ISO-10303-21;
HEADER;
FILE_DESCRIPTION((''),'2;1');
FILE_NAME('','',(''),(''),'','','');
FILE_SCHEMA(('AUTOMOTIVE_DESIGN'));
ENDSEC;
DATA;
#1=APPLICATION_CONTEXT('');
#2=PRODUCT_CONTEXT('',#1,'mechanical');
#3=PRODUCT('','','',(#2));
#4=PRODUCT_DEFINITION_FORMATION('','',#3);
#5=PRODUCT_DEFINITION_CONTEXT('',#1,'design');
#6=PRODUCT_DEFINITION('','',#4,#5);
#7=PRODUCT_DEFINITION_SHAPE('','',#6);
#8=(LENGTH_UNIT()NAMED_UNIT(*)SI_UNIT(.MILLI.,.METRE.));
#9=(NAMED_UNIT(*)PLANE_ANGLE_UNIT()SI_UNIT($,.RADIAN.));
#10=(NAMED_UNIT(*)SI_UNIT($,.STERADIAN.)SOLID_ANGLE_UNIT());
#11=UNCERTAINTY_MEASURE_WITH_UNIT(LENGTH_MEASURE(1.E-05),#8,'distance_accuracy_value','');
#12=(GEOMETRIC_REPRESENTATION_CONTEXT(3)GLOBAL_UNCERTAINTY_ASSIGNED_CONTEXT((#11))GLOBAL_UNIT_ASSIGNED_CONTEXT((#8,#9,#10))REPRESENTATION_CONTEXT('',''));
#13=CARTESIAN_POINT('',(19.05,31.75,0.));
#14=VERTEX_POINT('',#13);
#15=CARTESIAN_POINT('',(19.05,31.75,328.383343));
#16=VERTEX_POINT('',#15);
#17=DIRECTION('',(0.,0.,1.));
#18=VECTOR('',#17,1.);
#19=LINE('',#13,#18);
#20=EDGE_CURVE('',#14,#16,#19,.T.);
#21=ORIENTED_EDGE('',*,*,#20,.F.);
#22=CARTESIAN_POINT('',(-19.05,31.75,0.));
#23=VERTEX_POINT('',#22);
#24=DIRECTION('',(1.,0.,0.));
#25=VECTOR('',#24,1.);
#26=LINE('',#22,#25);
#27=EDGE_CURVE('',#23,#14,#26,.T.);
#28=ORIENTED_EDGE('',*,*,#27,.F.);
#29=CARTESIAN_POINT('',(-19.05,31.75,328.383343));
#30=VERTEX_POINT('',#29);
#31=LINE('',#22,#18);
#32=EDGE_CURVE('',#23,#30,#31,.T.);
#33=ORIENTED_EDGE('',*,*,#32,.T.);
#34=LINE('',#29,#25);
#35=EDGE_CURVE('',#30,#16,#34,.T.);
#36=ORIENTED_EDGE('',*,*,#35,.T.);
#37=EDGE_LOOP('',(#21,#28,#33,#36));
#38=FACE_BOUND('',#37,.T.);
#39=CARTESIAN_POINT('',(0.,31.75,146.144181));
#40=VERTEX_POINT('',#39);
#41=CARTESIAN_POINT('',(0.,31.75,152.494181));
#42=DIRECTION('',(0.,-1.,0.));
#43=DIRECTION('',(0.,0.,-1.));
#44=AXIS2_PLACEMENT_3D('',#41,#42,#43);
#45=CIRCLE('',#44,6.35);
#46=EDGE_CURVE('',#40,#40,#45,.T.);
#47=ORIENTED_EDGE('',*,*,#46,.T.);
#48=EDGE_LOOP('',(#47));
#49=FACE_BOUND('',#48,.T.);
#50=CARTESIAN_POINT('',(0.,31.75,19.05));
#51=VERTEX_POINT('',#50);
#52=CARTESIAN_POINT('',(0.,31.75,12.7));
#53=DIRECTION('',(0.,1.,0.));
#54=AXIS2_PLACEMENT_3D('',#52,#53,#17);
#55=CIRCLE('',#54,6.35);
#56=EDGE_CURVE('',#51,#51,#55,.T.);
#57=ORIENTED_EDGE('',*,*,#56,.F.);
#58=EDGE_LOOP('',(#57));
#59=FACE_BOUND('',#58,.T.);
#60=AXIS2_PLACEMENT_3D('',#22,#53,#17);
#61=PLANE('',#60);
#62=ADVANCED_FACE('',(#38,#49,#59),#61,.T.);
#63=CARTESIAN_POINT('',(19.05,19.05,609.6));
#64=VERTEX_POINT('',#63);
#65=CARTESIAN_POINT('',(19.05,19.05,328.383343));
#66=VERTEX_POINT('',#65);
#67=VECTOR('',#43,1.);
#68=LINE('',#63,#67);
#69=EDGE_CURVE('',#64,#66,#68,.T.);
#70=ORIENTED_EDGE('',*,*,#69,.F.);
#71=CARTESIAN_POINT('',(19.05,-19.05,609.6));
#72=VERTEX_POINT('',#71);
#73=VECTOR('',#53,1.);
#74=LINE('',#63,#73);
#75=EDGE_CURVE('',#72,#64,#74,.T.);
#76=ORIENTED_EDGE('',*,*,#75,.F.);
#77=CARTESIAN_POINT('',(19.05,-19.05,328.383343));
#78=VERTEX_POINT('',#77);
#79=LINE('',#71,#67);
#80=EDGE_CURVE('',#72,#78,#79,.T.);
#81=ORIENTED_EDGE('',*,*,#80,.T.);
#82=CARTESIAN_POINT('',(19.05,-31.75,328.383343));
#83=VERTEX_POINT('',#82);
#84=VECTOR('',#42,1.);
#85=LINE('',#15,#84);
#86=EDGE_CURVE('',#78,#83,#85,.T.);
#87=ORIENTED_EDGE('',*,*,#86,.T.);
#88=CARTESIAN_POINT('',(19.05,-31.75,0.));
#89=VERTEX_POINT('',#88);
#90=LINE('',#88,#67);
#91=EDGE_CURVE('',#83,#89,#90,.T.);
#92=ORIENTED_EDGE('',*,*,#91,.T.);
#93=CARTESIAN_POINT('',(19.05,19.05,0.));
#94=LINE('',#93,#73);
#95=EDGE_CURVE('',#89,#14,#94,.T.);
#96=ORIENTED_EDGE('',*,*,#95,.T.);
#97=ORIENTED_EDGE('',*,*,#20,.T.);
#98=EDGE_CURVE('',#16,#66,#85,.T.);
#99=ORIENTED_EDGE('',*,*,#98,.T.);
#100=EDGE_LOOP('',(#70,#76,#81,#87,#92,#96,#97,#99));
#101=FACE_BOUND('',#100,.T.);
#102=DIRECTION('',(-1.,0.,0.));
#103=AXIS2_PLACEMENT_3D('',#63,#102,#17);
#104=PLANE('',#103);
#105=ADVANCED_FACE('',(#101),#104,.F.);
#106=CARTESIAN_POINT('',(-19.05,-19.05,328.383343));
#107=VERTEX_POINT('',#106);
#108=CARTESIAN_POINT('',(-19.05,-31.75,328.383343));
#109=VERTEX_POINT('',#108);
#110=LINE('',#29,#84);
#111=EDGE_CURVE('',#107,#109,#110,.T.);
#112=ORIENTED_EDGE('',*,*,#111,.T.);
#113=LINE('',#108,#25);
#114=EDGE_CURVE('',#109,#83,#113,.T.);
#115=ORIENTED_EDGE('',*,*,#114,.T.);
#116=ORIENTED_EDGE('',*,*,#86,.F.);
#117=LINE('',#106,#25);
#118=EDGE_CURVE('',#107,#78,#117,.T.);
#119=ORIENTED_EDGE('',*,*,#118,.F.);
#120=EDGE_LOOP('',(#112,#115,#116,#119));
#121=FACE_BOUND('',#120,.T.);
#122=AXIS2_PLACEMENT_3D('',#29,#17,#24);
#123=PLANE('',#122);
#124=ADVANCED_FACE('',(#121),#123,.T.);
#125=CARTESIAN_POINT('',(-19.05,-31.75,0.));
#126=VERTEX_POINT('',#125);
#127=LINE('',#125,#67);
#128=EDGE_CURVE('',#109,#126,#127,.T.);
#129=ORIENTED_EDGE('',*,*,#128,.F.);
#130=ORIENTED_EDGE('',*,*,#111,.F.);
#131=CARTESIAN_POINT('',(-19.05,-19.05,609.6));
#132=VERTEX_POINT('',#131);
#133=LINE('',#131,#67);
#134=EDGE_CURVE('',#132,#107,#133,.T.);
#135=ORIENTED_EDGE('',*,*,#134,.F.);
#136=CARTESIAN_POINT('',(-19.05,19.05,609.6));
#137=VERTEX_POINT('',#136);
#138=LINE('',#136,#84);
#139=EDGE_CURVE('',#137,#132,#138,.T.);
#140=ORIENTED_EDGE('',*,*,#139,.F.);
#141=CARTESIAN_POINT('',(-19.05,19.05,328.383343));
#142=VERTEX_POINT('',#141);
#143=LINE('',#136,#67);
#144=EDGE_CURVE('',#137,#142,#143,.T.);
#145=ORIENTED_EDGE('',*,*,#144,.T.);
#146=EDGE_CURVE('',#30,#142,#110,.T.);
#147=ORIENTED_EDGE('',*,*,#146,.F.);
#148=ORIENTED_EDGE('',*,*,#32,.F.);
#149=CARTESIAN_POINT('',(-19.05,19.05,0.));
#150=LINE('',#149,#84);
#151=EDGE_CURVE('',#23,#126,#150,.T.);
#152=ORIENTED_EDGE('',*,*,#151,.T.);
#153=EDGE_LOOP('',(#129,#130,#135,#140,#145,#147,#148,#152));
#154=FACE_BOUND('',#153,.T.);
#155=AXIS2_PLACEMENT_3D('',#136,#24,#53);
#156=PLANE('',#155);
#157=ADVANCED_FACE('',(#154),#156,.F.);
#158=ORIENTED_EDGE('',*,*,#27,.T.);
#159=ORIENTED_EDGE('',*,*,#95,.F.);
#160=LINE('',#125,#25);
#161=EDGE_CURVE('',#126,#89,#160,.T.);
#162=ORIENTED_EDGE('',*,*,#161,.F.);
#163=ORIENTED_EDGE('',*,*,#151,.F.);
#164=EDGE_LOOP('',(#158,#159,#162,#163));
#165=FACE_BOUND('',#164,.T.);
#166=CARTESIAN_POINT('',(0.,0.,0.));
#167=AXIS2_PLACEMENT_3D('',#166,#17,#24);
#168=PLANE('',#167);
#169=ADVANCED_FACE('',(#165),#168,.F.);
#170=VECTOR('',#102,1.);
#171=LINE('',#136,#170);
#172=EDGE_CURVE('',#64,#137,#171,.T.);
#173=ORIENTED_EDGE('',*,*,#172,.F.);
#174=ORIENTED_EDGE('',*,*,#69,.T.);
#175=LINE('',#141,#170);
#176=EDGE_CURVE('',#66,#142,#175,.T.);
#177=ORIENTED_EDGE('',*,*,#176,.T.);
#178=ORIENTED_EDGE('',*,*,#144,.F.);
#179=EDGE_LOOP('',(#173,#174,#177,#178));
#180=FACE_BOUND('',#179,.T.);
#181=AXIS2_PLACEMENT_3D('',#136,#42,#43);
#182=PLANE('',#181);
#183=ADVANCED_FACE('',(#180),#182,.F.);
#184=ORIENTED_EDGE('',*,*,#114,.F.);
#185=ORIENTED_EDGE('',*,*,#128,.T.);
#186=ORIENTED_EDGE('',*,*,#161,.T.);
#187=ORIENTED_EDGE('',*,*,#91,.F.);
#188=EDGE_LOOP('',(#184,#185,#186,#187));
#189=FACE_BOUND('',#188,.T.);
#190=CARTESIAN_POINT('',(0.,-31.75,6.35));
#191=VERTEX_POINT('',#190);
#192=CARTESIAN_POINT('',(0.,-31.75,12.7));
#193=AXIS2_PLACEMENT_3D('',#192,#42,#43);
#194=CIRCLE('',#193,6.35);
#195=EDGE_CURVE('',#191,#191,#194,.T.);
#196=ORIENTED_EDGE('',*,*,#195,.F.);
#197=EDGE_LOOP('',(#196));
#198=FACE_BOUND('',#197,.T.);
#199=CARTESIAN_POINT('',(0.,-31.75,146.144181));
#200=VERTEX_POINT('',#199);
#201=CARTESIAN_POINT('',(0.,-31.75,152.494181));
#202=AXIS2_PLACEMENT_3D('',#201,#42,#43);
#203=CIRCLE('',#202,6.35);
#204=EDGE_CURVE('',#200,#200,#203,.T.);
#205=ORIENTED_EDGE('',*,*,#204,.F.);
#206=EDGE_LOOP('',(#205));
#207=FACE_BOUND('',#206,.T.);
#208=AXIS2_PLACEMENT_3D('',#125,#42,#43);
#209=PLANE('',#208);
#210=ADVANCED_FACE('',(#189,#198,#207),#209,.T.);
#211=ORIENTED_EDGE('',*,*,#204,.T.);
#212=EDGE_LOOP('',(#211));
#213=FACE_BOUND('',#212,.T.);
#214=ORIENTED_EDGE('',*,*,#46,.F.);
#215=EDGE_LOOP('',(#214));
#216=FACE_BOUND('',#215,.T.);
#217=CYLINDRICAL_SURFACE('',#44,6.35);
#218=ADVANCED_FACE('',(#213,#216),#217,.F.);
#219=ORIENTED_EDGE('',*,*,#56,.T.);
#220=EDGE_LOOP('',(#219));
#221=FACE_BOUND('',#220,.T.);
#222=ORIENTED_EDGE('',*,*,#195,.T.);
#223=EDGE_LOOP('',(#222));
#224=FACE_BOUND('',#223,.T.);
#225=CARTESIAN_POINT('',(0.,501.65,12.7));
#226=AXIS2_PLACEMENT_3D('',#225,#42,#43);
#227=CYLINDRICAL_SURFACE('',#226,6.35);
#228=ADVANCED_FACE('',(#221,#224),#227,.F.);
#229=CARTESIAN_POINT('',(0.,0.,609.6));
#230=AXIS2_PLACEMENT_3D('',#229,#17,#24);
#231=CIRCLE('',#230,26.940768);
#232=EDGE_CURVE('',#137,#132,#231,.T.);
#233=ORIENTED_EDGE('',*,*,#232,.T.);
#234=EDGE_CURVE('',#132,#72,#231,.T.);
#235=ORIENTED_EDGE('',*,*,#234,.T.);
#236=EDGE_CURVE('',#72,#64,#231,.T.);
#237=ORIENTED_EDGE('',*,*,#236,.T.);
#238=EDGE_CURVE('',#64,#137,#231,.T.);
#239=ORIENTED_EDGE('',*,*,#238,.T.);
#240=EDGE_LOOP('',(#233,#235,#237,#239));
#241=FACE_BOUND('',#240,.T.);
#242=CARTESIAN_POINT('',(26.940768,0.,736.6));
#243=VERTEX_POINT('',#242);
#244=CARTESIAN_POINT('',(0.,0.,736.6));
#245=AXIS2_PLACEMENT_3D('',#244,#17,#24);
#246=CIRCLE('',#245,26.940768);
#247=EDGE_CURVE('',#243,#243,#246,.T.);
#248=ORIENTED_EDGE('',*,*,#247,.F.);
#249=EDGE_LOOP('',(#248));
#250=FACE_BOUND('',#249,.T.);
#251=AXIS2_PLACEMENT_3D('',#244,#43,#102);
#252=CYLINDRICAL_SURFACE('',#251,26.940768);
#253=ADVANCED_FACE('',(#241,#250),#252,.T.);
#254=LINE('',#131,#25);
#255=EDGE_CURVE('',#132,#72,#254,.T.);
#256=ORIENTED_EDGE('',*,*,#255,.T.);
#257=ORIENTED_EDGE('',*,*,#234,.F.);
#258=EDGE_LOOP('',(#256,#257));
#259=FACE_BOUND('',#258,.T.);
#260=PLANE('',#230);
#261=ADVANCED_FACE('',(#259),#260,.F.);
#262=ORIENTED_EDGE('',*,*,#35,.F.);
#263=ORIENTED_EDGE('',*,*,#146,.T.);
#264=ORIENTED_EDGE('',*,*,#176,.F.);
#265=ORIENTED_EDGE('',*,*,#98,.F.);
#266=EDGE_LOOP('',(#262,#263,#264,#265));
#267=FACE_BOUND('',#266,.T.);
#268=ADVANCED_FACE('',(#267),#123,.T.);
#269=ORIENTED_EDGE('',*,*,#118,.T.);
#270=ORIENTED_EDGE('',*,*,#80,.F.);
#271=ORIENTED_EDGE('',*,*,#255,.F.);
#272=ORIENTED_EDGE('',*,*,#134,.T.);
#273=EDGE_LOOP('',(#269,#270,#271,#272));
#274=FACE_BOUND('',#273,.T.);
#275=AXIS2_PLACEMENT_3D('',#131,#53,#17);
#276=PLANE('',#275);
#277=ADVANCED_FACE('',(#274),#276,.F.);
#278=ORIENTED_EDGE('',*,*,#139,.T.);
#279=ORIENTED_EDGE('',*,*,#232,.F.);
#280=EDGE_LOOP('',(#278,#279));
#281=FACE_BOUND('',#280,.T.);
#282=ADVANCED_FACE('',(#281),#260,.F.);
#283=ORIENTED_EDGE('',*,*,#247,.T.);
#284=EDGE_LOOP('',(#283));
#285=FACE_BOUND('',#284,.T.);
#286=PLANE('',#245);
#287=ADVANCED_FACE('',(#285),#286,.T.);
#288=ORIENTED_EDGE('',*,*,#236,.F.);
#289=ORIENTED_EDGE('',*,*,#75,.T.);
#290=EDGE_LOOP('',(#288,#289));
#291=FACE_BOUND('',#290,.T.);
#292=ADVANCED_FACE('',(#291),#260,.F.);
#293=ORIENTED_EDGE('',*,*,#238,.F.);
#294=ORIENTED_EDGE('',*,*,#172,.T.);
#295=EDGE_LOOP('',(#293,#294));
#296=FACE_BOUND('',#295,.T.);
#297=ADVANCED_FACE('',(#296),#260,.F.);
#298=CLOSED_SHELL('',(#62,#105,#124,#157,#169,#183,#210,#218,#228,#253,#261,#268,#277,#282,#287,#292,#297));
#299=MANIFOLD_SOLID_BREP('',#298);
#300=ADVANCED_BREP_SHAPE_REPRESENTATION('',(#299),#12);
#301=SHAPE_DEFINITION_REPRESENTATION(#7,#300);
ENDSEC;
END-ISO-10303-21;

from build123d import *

# Parameters (mm, degrees)
SKETCH2_W           = 38.1
SKETCH2_H           = 38.1
BOSS_EXTRUDE1_DEPTH = 609.6
SKETCH3_R           = 26.940768363
BOSS_EXTRUDE2_DEPTH = 127
CUT_EXTRUDE2_DEPTH  = 127
BOSS_EXTRUDE3_DEPTH = 38.1
SKETCH6_R           = 6.35
CUT_EXTRUDE4_DEPTH  = 64.5
SKETCH7_R           = 6.35
CUT_EXTRUDE5_DEPTH  = 533.4


with BuildPart() as part:
    # Sketch2 → Boss-Extrude1 (new body)
    with BuildSketch(Plane.XY):
        Rectangle(SKETCH2_W, SKETCH2_H)
    extrude(amount=BOSS_EXTRUDE1_DEPTH)

    # Sketch3 → Boss-Extrude2 (add)
    with BuildSketch(Plane.XY.offset(609.6)):
        Circle(SKETCH3_R)
    extrude(amount=BOSS_EXTRUDE2_DEPTH)

    # Sketch4 → Cut-Extrude2 (cut)
    with BuildSketch(Plane.XZ.offset(19.05)):
        with BuildLine():
            ThreePointArc((-6.35, 152.4), (0, 146.05), (6.35, 152.4))
            Line((6.35, 152.4), (-6.35, 152.4))
        make_face()
        with BuildLine():
            Line((-6.35, 152.4), (6.35, 152.4))
            ThreePointArc((6.35, 152.4), (0, 158.75), (-6.35, 152.4))
        make_face()
    extrude(amount=-CUT_EXTRUDE2_DEPTH, mode=Mode.SUBTRACT)

    # Sketch5 → Boss-Extrude3 (add)
    with BuildSketch(Plane(origin=(19.05, 0, 0), x_dir=(0, 0, -1), z_dir=(1, 0, 0))):
        Polygon((0, 0), (0, 31.75), (-328.383343368, 31.75), (-328.383343368, -31.75), (0, -31.75), align=None)
    extrude(amount=-BOSS_EXTRUDE3_DEPTH)

    # Sketch6 → Cut-Extrude4 (cut, through all)
    with BuildSketch(Plane.XZ.offset(31.75)):
        with Locations((0, 152.494180782)):
            Circle(SKETCH6_R)
    extrude(amount=-CUT_EXTRUDE4_DEPTH, mode=Mode.SUBTRACT)

    # Sketch7 → Cut-Extrude5 (cut)
    with BuildSketch(Plane.XZ.offset(31.75)):
        with Locations((0, 12.7)):
            Circle(SKETCH7_R)
    extrude(amount=-CUT_EXTRUDE5_DEPTH, mode=Mode.SUBTRACT)


solid = part.part
